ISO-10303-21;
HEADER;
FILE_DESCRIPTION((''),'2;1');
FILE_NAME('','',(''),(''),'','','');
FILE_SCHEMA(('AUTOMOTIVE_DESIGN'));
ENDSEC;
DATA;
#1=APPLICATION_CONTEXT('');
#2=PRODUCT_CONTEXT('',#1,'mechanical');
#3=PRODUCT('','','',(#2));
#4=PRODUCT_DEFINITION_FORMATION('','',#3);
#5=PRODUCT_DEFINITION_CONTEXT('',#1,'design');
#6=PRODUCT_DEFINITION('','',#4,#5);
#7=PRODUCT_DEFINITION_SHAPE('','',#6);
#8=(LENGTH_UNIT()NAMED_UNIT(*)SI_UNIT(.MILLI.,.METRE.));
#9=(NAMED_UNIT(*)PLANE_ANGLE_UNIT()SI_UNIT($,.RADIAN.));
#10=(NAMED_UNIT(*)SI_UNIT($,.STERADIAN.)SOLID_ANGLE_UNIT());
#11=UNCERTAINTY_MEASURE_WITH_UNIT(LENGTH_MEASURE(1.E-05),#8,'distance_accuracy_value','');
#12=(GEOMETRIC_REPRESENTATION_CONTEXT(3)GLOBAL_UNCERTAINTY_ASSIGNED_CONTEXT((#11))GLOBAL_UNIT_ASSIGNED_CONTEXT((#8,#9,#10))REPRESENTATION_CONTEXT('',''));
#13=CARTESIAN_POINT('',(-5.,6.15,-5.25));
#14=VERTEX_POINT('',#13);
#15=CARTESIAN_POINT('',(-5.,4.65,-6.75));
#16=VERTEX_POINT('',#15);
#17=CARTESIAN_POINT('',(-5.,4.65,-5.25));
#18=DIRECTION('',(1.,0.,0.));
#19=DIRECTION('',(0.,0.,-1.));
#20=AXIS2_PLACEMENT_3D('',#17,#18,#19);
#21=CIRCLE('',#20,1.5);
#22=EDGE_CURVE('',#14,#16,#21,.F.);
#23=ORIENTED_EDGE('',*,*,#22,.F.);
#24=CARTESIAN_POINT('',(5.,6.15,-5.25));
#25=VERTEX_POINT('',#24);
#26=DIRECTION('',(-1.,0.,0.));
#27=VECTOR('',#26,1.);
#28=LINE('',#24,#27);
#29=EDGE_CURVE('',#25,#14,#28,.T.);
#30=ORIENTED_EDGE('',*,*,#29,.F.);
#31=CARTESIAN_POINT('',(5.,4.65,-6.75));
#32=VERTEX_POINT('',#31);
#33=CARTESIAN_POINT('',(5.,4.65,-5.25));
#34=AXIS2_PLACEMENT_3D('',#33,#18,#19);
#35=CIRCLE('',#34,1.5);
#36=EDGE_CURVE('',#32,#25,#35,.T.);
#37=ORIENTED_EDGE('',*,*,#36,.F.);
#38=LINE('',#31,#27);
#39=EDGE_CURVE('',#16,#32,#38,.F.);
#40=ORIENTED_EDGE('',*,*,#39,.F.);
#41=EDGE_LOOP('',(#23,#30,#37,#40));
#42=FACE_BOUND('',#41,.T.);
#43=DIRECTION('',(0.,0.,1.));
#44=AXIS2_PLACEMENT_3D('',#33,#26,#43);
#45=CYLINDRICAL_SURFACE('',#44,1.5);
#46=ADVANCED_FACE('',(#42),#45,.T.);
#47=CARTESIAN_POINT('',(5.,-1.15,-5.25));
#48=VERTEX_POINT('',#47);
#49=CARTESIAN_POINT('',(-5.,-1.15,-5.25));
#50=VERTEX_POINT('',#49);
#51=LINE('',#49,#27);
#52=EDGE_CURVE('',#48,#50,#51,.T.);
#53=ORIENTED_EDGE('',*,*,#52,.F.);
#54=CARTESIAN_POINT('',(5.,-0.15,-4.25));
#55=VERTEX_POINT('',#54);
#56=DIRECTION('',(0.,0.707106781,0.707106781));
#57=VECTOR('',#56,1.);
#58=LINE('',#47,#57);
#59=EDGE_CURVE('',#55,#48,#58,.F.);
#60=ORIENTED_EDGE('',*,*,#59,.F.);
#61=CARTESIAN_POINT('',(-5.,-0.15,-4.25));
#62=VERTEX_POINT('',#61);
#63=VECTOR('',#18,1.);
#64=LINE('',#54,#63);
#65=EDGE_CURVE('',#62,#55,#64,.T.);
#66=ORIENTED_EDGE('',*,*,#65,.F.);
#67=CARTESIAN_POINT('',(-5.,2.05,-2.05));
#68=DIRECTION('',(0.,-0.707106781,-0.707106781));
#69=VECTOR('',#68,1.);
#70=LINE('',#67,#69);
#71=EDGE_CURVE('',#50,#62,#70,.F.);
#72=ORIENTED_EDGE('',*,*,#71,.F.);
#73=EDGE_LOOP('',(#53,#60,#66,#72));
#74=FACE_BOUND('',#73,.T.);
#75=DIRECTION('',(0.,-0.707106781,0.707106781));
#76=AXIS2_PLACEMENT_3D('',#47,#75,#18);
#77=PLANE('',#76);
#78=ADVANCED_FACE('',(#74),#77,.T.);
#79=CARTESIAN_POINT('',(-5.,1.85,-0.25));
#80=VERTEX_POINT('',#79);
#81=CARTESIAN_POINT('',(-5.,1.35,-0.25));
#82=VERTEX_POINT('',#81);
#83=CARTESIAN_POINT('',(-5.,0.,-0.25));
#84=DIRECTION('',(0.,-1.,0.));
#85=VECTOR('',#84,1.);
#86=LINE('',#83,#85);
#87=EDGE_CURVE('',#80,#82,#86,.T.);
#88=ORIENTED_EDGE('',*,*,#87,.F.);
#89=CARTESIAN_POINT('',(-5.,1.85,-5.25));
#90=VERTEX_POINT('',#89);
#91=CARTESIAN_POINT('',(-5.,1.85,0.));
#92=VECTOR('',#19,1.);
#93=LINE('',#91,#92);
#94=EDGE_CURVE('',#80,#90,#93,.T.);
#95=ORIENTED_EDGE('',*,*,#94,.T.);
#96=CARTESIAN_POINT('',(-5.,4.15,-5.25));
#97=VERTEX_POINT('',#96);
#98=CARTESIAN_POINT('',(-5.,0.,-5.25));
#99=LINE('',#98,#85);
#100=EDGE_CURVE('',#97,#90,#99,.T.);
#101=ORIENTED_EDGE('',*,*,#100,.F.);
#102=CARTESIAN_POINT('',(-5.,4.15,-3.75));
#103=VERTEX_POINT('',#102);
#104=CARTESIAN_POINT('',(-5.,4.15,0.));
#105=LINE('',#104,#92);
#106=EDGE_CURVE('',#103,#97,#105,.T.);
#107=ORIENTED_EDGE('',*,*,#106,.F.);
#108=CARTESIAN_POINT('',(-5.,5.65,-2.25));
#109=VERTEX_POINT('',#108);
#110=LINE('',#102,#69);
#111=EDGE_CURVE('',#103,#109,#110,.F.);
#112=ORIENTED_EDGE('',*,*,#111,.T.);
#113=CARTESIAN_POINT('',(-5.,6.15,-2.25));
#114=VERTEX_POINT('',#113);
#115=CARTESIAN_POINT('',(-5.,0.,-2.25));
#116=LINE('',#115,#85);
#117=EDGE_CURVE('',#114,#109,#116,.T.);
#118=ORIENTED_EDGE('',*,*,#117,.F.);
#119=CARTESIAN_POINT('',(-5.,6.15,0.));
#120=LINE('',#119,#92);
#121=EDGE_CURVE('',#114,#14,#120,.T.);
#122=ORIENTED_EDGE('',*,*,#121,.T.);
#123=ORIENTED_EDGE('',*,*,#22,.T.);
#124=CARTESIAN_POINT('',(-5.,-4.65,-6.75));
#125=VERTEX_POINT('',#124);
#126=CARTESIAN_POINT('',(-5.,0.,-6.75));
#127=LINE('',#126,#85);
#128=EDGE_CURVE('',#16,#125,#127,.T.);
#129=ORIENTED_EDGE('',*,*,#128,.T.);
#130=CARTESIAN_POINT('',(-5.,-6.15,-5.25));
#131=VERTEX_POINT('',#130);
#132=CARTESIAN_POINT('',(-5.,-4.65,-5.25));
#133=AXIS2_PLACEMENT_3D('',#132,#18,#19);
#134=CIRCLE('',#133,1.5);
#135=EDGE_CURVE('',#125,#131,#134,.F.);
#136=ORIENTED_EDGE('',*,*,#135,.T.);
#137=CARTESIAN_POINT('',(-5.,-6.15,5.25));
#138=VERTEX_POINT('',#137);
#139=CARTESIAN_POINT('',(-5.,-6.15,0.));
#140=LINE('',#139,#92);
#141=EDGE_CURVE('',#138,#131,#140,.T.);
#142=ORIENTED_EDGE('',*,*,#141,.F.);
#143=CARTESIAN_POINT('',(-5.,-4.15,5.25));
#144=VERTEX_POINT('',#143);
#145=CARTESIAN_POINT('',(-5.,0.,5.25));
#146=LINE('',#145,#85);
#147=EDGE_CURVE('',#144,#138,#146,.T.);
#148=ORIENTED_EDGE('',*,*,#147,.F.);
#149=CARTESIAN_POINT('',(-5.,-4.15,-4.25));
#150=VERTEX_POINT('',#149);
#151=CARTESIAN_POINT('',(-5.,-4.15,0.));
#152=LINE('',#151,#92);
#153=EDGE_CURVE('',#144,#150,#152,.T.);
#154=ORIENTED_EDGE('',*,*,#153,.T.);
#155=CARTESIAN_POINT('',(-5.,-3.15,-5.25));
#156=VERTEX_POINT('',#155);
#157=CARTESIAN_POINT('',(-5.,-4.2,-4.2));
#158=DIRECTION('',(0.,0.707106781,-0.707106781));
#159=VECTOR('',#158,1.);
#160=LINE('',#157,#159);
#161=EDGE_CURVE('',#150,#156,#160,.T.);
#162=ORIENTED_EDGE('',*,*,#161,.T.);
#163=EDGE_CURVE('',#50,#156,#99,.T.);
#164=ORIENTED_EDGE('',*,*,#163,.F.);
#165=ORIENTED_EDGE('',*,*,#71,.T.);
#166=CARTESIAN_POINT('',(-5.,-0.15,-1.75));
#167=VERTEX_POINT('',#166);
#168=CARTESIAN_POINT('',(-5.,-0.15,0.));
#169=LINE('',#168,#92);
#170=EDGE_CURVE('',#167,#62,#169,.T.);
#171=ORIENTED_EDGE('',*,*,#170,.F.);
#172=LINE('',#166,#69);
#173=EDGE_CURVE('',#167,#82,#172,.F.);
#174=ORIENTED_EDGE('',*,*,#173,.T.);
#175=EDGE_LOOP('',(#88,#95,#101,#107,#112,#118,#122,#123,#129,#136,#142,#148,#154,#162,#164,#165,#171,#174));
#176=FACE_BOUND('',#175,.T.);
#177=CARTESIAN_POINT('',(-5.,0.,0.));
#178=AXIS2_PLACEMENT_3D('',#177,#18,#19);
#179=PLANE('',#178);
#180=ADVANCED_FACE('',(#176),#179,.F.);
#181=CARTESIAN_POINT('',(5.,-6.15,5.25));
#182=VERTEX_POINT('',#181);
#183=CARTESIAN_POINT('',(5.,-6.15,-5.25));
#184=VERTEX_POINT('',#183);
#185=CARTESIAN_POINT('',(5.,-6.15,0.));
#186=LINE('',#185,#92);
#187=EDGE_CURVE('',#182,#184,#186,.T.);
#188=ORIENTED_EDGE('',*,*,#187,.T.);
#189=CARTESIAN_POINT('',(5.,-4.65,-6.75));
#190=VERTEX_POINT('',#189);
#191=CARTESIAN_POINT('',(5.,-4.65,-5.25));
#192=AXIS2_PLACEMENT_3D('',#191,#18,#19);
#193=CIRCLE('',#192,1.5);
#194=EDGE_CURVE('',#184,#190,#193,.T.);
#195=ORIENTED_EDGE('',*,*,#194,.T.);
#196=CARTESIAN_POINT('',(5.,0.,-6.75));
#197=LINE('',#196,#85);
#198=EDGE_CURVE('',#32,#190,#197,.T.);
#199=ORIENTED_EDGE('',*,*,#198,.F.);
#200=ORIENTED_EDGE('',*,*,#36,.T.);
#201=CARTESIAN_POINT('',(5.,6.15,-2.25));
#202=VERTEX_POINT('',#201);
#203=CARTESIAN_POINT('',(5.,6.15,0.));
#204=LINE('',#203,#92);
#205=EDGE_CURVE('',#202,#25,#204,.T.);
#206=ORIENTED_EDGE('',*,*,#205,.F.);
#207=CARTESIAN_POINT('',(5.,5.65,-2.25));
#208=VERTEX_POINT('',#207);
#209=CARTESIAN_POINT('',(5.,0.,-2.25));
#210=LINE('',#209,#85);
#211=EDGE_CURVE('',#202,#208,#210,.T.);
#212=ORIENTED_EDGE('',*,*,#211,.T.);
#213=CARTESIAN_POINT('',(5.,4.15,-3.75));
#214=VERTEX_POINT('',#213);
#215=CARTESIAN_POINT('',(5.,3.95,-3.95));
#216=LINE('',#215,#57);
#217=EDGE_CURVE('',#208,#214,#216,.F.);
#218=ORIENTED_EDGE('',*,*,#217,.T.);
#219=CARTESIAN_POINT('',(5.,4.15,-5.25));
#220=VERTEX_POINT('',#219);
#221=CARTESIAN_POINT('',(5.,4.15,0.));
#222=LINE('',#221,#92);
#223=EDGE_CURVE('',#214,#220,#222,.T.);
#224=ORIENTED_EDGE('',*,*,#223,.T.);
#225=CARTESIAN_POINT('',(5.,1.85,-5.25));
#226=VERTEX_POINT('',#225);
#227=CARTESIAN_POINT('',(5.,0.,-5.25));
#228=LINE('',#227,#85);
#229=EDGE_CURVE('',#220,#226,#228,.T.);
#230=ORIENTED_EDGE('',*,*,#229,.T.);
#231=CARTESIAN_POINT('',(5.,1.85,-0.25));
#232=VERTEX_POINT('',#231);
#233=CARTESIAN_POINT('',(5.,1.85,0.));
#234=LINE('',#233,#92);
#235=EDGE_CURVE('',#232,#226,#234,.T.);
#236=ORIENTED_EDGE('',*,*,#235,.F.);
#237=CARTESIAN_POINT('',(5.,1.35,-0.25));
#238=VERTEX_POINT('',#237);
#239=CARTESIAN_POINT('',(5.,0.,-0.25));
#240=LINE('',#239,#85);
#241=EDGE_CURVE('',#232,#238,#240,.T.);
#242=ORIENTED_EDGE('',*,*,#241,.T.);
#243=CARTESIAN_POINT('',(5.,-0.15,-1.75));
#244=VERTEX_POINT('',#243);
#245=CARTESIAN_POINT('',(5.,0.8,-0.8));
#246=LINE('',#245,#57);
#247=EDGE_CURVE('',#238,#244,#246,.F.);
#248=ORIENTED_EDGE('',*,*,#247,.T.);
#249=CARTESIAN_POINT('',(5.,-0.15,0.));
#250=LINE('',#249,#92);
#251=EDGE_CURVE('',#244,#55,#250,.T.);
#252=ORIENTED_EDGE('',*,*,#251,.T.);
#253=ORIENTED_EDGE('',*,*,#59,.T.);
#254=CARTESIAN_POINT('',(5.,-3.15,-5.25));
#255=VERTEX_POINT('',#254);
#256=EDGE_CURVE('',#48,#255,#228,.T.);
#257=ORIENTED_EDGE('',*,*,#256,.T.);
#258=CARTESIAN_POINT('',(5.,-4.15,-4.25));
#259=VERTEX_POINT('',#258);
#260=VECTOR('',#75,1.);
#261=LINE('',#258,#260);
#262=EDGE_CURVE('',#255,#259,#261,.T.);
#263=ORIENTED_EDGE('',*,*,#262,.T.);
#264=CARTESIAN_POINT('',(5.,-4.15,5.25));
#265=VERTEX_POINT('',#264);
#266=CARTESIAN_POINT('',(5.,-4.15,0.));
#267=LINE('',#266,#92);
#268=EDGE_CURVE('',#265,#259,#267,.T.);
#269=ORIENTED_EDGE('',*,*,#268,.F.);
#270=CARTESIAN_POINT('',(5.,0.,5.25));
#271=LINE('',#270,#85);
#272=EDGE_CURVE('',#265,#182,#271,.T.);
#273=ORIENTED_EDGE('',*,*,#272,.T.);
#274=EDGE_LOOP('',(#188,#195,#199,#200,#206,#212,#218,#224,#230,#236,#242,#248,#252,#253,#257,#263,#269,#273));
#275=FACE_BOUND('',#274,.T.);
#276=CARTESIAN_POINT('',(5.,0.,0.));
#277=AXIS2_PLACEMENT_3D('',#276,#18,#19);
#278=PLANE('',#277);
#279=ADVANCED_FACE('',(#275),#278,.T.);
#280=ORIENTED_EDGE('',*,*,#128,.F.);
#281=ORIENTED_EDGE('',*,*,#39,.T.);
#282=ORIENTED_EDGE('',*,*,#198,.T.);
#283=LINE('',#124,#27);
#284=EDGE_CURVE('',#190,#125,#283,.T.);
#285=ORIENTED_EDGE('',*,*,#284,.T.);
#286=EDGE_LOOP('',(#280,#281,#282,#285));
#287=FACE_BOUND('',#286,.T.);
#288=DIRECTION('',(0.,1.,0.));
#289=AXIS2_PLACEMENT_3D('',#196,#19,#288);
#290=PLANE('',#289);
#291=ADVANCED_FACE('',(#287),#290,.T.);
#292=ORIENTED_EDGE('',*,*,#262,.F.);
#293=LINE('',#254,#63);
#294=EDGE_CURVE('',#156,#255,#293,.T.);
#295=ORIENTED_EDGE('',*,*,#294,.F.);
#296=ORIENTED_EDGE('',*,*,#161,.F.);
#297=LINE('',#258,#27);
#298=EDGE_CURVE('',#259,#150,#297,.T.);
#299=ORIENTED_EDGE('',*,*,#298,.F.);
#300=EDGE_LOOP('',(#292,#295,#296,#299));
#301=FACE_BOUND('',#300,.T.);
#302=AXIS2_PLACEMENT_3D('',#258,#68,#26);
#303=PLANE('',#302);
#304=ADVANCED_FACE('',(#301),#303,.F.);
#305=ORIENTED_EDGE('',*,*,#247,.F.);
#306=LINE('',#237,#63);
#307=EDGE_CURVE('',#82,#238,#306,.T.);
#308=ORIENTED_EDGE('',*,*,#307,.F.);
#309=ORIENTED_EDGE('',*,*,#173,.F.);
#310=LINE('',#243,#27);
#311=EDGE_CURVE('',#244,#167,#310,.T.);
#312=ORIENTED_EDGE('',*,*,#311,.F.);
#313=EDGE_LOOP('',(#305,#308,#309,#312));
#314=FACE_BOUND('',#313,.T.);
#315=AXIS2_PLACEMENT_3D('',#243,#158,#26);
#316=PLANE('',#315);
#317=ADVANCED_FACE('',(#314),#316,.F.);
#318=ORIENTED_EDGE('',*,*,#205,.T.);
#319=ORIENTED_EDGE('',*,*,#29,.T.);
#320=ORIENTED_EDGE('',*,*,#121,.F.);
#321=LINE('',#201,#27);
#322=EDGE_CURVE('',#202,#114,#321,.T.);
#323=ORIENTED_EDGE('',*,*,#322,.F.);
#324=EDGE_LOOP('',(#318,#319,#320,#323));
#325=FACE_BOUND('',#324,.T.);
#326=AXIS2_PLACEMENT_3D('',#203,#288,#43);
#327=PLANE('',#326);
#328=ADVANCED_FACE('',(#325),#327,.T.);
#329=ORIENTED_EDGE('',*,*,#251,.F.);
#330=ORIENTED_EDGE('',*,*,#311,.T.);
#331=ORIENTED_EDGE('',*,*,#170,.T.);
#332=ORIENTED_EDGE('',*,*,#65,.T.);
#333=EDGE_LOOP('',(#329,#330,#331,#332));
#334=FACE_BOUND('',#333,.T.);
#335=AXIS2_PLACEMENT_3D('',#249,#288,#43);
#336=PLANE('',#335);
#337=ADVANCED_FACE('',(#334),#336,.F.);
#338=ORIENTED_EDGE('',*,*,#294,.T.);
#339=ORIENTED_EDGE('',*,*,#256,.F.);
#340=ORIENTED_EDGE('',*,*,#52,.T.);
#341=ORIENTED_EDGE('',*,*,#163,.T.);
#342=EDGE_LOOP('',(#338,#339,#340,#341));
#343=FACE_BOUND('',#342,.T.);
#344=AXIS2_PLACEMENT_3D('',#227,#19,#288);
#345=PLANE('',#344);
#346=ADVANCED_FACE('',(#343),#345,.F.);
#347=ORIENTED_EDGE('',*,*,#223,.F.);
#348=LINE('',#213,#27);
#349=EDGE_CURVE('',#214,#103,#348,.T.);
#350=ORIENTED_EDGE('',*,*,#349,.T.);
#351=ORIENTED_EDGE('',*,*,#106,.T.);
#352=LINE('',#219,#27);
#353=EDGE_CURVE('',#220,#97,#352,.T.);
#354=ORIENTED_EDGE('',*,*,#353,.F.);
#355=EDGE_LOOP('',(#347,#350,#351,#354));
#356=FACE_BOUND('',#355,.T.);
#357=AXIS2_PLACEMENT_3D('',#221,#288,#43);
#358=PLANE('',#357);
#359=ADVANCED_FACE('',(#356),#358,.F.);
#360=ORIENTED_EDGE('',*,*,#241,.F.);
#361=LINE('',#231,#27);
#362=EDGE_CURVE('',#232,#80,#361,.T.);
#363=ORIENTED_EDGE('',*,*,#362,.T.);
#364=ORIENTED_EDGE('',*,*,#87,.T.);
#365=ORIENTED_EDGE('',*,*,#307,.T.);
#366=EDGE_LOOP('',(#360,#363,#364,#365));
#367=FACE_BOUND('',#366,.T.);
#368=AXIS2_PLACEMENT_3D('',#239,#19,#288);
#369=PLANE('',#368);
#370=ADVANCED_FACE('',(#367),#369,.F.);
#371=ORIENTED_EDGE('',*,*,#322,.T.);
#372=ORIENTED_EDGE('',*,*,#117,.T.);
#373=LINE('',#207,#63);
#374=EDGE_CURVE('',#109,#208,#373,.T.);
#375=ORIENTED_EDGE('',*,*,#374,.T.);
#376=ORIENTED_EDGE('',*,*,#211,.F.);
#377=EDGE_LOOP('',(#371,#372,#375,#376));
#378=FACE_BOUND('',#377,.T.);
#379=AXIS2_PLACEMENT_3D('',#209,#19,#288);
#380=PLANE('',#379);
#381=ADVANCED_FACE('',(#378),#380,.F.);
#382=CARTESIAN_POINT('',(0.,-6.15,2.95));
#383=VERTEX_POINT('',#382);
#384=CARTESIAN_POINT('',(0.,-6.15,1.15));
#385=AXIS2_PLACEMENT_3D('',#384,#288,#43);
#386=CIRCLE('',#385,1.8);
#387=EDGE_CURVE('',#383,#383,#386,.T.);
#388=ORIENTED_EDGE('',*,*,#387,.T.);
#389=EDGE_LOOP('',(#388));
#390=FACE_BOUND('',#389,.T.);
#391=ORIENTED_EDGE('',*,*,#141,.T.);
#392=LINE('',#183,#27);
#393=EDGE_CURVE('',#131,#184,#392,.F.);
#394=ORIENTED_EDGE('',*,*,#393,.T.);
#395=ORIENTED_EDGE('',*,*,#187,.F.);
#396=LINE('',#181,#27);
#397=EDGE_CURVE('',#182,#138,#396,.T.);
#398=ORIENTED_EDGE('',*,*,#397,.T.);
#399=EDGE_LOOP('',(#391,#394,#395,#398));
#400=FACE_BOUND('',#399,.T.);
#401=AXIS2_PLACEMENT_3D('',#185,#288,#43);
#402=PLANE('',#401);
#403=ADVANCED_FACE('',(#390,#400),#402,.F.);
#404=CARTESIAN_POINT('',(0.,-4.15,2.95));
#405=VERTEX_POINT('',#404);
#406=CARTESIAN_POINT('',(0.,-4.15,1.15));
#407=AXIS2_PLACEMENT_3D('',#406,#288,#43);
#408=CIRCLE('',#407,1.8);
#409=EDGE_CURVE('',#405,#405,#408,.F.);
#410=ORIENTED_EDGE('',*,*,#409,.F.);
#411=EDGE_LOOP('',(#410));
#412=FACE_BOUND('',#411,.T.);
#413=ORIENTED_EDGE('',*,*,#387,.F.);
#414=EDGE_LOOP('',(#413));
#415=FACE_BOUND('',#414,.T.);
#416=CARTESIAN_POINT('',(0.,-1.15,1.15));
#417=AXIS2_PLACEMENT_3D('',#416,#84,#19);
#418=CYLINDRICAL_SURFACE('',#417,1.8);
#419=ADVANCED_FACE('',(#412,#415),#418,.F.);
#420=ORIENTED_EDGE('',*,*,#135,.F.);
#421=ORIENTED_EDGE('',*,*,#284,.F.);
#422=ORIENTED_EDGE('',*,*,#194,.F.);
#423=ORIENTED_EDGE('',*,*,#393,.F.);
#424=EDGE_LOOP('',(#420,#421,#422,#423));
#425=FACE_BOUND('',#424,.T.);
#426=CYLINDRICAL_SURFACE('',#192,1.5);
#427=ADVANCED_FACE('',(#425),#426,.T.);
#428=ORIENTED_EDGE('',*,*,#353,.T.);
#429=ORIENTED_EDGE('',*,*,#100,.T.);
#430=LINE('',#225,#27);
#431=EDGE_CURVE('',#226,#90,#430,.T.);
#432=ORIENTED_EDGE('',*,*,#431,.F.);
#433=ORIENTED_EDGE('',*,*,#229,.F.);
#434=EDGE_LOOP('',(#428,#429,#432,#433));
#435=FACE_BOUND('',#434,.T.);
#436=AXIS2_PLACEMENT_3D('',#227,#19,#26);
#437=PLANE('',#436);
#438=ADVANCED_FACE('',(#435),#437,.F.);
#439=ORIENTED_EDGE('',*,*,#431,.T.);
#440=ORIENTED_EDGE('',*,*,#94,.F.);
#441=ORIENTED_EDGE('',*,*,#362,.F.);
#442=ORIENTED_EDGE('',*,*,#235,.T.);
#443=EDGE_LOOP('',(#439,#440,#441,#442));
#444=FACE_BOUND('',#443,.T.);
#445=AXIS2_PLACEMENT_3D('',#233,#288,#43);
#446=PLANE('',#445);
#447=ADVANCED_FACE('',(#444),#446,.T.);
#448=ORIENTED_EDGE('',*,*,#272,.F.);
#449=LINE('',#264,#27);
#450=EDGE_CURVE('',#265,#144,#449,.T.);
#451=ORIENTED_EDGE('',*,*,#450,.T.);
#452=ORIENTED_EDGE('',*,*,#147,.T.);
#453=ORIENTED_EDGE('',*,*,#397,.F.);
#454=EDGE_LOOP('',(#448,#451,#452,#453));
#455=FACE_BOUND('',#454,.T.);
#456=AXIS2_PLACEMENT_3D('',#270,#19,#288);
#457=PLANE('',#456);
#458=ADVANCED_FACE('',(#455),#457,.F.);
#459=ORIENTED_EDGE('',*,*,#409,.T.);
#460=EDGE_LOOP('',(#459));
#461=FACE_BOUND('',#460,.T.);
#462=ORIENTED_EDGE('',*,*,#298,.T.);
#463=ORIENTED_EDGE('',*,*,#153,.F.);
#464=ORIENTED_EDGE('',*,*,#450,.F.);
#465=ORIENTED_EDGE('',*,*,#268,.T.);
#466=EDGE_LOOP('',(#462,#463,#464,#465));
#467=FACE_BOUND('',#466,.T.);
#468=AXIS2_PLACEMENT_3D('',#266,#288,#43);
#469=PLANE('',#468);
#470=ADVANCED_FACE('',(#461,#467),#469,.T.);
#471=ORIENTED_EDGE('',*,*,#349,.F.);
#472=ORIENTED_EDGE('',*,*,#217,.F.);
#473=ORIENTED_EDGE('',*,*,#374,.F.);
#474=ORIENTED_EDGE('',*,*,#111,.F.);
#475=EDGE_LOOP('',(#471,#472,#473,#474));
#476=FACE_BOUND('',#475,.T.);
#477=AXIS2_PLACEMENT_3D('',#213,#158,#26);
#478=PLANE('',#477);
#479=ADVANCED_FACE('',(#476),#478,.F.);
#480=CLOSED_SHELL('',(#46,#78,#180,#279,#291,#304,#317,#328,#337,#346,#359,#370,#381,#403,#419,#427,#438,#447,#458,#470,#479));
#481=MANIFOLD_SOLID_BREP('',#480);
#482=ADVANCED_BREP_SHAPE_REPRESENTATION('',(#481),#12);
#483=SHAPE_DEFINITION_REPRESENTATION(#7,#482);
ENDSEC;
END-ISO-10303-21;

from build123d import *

# Parameters (mm, degrees)
BOSS_EXTRUDE1_DEPTH     = 5
CHAMFER1_SIZE           = 1
SKETCH2_R               = 1.8
CUT_EXTRUDE1_DEPTH      = 3
CUT_EXTRUDE1_DEPTH_BACK = 3
FILLET1_R               = 1.5
CHAMFER2_SIZE           = 1.5


with BuildPart() as part:
    # Sketch1 → Boss-Extrude1 (new body, symmetric)
    with BuildSketch(Plane(origin=(0, 0, 0), x_dir=(0, 0, -1), z_dir=(1, 0, 0))):
        Polygon((-5.25, -4.15), (-5.25, -6.15), (6.75, -6.15), (6.75, 6.15), (2.25, 6.15), (2.25, 4.15), (5.25, 4.15), (5.25, 1.85), (0.25, 1.85), (0.25, -0.15), (5.25, -0.15), (5.25, -4.15), align=None)
    extrude(amount=BOSS_EXTRUDE1_DEPTH, both=True)

    # Chamfer1
    chamfer1_edges = [part.edges().sort_by_distance(p)[0] for p in [
        (0, -4.15, -5.25),
        (0, -0.15, -5.25),
    ]]
    chamfer(chamfer1_edges, length=CHAMFER1_SIZE)

    # Sketch2 → Cut-Extrude1 (cut, two sides)
    with BuildSketch(Plane(origin=(0, -4.15, 0), x_dir=(1, 0, 0), z_dir=(0, 1, 0))) as cut_extrude1_sk:
        with Locations((0, -1.15)):
            Circle(SKETCH2_R)
    extrude(amount=CUT_EXTRUDE1_DEPTH, mode=Mode.SUBTRACT)
    extrude(cut_extrude1_sk.sketch, amount=-CUT_EXTRUDE1_DEPTH_BACK, mode=Mode.SUBTRACT)

    # Fillet1
    fillet1_edges = [part.edges().sort_by_distance(p)[0] for p in [
        (0, 6.15, -6.75),
        (0, -6.15, -6.75),
    ]]
    fillet(fillet1_edges, radius=FILLET1_R)

    # Chamfer2
    chamfer2_edges = [part.edges().sort_by_distance(p)[0] for p in [
        (0, 4.15, -2.25),
        (0, -0.15, -0.25),
    ]]
    chamfer(chamfer2_edges, length=CHAMFER2_SIZE)


solid = part.part
